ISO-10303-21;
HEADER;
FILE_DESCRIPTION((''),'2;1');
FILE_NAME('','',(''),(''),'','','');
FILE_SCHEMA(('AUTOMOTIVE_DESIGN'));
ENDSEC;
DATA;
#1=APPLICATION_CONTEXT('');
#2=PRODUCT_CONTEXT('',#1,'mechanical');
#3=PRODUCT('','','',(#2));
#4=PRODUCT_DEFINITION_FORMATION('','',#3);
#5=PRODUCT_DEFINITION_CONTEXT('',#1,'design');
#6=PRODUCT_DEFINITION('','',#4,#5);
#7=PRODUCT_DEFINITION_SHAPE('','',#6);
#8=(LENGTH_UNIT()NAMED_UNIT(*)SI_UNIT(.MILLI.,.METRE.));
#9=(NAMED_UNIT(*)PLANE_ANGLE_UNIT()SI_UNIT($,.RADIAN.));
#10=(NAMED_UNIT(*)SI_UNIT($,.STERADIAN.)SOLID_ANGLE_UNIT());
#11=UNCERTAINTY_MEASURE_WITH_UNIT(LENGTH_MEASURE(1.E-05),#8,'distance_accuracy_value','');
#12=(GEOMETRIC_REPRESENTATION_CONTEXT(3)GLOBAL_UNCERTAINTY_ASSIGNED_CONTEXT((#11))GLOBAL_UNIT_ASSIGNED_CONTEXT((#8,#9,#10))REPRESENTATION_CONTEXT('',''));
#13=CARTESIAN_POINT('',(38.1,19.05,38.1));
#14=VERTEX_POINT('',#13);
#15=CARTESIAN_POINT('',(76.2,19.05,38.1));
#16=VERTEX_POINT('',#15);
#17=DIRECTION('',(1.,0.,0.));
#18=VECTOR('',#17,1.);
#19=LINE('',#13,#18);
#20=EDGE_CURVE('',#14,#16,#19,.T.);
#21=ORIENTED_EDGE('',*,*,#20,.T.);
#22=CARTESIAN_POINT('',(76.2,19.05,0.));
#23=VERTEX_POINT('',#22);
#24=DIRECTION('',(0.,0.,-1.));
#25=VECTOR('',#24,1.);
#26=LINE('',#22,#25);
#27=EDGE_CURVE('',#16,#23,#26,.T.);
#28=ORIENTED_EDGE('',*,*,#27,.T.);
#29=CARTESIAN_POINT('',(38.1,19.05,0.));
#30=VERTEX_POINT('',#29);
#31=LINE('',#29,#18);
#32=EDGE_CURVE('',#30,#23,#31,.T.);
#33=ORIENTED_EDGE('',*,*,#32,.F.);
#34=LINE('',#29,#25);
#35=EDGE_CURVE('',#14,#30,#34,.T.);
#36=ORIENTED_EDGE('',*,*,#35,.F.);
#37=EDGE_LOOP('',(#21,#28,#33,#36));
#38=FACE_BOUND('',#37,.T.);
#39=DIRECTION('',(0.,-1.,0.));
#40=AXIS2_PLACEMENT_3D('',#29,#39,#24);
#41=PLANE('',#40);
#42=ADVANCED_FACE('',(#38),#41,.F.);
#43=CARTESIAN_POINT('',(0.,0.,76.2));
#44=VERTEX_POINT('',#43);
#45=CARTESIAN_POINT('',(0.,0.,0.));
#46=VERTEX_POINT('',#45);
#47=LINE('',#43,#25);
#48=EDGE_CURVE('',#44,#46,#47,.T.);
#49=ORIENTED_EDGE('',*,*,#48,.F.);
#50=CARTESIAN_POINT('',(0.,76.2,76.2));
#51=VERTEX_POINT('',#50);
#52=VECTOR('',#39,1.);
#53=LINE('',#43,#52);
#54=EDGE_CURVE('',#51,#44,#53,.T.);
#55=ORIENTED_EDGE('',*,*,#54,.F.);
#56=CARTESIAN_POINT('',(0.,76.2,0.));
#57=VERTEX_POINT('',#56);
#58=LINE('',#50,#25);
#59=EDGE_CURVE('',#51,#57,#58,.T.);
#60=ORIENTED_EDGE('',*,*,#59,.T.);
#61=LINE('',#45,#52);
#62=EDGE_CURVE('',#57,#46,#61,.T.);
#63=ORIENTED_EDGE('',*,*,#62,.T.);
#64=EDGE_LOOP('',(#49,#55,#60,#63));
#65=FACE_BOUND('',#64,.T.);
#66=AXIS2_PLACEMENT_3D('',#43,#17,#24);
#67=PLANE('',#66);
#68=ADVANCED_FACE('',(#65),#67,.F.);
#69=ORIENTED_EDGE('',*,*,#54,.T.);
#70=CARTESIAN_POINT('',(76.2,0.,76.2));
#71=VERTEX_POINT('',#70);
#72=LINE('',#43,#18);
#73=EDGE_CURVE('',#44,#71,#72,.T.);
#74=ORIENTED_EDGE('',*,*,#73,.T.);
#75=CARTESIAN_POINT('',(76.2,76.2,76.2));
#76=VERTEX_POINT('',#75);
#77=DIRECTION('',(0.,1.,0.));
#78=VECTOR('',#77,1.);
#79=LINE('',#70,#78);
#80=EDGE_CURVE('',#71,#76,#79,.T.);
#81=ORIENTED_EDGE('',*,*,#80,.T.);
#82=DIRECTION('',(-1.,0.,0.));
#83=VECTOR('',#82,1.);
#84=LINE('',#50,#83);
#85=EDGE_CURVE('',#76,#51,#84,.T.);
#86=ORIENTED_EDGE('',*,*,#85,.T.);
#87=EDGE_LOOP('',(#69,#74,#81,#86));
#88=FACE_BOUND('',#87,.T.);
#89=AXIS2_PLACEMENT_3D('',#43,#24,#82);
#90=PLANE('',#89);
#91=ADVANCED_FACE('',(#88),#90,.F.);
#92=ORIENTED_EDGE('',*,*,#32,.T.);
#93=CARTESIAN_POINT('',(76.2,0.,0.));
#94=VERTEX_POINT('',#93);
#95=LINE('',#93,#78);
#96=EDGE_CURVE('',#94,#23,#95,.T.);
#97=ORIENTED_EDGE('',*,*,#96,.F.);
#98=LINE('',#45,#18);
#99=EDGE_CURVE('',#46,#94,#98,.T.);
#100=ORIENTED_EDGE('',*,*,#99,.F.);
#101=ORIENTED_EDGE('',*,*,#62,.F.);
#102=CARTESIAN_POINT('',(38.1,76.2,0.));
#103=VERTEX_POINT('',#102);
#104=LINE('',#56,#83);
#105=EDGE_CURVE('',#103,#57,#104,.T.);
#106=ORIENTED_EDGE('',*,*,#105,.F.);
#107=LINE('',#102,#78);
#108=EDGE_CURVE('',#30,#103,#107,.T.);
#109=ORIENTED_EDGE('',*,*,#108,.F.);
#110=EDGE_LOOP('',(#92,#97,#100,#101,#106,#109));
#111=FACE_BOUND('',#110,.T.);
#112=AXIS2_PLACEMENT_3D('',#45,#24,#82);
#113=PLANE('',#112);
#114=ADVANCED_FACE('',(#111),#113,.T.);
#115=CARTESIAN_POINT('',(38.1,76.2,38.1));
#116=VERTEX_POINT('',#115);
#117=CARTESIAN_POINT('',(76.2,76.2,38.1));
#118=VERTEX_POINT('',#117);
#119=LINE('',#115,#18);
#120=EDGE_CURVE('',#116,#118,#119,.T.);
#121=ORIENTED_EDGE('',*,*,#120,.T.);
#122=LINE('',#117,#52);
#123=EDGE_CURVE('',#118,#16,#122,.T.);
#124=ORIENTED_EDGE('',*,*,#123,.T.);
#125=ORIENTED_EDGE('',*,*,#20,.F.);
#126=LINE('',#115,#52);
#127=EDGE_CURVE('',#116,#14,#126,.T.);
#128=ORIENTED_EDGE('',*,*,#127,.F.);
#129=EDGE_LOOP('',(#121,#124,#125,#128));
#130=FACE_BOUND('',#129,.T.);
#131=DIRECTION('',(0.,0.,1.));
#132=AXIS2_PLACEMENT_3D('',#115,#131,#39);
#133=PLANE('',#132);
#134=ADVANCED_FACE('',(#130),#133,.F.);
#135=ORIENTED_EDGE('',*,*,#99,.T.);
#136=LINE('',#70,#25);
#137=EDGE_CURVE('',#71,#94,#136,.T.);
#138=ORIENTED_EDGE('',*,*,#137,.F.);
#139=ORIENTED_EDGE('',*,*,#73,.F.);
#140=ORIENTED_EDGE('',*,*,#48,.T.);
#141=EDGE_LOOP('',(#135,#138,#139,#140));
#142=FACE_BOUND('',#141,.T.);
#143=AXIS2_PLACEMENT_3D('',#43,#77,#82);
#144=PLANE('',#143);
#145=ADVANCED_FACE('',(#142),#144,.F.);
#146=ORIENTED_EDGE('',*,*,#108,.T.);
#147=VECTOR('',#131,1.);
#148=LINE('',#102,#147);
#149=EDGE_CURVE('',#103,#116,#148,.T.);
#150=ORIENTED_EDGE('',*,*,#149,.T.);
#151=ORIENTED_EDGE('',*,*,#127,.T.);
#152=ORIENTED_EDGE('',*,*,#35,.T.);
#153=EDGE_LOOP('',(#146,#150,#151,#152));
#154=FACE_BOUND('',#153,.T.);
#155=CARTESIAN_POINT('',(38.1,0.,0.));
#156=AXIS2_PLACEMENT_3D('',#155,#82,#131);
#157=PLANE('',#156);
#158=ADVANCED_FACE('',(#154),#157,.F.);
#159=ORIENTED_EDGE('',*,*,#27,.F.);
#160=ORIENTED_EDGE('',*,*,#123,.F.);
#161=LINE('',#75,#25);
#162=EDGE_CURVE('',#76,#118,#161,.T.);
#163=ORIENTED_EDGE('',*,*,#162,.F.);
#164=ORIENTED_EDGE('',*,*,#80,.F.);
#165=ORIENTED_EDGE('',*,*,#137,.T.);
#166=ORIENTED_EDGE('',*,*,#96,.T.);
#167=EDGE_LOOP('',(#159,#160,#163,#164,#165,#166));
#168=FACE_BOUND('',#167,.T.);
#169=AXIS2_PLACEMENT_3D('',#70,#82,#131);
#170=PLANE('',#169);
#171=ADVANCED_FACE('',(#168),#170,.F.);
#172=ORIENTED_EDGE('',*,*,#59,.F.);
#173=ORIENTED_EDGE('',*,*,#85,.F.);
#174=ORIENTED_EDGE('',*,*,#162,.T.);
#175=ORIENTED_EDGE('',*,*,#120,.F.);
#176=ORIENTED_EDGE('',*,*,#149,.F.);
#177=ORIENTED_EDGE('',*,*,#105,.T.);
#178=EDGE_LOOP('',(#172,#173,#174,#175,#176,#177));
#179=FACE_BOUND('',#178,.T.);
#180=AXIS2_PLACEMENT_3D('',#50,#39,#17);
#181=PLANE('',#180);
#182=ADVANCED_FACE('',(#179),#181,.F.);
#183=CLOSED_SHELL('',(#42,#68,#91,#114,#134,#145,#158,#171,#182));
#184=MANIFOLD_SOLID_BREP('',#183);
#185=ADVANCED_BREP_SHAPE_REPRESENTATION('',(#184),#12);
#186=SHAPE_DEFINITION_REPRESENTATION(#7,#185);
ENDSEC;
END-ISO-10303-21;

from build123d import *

# Parameters (mm, degrees)
SKETCH1_W           = 76.2
SKETCH1_H           = 76.2
BOSS_EXTRUDE1_DEPTH = 76.2
SKETCH2_W           = 38.1
SKETCH2_H           = 57.15
CUT_EXTRUDE1_DEPTH  = 38.1


with BuildPart() as part:
    # Sketch1 → Boss-Extrude1 (new body)
    with BuildSketch(Plane.XY):
        with Locations((38.1, 38.1)):
            Rectangle(SKETCH1_W, SKETCH1_H)
    extrude(amount=BOSS_EXTRUDE1_DEPTH)

    # Sketch2 → Cut-Extrude1 (cut)
    with BuildSketch(Plane(origin=(76.2, 0, 0), x_dir=(0, 0, -1), z_dir=(1, 0, 0))):
        with Locations((-19.05, 47.625)):
            Rectangle(SKETCH2_W, SKETCH2_H)
    extrude(amount=-CUT_EXTRUDE1_DEPTH, mode=Mode.SUBTRACT)


solid = part.part
